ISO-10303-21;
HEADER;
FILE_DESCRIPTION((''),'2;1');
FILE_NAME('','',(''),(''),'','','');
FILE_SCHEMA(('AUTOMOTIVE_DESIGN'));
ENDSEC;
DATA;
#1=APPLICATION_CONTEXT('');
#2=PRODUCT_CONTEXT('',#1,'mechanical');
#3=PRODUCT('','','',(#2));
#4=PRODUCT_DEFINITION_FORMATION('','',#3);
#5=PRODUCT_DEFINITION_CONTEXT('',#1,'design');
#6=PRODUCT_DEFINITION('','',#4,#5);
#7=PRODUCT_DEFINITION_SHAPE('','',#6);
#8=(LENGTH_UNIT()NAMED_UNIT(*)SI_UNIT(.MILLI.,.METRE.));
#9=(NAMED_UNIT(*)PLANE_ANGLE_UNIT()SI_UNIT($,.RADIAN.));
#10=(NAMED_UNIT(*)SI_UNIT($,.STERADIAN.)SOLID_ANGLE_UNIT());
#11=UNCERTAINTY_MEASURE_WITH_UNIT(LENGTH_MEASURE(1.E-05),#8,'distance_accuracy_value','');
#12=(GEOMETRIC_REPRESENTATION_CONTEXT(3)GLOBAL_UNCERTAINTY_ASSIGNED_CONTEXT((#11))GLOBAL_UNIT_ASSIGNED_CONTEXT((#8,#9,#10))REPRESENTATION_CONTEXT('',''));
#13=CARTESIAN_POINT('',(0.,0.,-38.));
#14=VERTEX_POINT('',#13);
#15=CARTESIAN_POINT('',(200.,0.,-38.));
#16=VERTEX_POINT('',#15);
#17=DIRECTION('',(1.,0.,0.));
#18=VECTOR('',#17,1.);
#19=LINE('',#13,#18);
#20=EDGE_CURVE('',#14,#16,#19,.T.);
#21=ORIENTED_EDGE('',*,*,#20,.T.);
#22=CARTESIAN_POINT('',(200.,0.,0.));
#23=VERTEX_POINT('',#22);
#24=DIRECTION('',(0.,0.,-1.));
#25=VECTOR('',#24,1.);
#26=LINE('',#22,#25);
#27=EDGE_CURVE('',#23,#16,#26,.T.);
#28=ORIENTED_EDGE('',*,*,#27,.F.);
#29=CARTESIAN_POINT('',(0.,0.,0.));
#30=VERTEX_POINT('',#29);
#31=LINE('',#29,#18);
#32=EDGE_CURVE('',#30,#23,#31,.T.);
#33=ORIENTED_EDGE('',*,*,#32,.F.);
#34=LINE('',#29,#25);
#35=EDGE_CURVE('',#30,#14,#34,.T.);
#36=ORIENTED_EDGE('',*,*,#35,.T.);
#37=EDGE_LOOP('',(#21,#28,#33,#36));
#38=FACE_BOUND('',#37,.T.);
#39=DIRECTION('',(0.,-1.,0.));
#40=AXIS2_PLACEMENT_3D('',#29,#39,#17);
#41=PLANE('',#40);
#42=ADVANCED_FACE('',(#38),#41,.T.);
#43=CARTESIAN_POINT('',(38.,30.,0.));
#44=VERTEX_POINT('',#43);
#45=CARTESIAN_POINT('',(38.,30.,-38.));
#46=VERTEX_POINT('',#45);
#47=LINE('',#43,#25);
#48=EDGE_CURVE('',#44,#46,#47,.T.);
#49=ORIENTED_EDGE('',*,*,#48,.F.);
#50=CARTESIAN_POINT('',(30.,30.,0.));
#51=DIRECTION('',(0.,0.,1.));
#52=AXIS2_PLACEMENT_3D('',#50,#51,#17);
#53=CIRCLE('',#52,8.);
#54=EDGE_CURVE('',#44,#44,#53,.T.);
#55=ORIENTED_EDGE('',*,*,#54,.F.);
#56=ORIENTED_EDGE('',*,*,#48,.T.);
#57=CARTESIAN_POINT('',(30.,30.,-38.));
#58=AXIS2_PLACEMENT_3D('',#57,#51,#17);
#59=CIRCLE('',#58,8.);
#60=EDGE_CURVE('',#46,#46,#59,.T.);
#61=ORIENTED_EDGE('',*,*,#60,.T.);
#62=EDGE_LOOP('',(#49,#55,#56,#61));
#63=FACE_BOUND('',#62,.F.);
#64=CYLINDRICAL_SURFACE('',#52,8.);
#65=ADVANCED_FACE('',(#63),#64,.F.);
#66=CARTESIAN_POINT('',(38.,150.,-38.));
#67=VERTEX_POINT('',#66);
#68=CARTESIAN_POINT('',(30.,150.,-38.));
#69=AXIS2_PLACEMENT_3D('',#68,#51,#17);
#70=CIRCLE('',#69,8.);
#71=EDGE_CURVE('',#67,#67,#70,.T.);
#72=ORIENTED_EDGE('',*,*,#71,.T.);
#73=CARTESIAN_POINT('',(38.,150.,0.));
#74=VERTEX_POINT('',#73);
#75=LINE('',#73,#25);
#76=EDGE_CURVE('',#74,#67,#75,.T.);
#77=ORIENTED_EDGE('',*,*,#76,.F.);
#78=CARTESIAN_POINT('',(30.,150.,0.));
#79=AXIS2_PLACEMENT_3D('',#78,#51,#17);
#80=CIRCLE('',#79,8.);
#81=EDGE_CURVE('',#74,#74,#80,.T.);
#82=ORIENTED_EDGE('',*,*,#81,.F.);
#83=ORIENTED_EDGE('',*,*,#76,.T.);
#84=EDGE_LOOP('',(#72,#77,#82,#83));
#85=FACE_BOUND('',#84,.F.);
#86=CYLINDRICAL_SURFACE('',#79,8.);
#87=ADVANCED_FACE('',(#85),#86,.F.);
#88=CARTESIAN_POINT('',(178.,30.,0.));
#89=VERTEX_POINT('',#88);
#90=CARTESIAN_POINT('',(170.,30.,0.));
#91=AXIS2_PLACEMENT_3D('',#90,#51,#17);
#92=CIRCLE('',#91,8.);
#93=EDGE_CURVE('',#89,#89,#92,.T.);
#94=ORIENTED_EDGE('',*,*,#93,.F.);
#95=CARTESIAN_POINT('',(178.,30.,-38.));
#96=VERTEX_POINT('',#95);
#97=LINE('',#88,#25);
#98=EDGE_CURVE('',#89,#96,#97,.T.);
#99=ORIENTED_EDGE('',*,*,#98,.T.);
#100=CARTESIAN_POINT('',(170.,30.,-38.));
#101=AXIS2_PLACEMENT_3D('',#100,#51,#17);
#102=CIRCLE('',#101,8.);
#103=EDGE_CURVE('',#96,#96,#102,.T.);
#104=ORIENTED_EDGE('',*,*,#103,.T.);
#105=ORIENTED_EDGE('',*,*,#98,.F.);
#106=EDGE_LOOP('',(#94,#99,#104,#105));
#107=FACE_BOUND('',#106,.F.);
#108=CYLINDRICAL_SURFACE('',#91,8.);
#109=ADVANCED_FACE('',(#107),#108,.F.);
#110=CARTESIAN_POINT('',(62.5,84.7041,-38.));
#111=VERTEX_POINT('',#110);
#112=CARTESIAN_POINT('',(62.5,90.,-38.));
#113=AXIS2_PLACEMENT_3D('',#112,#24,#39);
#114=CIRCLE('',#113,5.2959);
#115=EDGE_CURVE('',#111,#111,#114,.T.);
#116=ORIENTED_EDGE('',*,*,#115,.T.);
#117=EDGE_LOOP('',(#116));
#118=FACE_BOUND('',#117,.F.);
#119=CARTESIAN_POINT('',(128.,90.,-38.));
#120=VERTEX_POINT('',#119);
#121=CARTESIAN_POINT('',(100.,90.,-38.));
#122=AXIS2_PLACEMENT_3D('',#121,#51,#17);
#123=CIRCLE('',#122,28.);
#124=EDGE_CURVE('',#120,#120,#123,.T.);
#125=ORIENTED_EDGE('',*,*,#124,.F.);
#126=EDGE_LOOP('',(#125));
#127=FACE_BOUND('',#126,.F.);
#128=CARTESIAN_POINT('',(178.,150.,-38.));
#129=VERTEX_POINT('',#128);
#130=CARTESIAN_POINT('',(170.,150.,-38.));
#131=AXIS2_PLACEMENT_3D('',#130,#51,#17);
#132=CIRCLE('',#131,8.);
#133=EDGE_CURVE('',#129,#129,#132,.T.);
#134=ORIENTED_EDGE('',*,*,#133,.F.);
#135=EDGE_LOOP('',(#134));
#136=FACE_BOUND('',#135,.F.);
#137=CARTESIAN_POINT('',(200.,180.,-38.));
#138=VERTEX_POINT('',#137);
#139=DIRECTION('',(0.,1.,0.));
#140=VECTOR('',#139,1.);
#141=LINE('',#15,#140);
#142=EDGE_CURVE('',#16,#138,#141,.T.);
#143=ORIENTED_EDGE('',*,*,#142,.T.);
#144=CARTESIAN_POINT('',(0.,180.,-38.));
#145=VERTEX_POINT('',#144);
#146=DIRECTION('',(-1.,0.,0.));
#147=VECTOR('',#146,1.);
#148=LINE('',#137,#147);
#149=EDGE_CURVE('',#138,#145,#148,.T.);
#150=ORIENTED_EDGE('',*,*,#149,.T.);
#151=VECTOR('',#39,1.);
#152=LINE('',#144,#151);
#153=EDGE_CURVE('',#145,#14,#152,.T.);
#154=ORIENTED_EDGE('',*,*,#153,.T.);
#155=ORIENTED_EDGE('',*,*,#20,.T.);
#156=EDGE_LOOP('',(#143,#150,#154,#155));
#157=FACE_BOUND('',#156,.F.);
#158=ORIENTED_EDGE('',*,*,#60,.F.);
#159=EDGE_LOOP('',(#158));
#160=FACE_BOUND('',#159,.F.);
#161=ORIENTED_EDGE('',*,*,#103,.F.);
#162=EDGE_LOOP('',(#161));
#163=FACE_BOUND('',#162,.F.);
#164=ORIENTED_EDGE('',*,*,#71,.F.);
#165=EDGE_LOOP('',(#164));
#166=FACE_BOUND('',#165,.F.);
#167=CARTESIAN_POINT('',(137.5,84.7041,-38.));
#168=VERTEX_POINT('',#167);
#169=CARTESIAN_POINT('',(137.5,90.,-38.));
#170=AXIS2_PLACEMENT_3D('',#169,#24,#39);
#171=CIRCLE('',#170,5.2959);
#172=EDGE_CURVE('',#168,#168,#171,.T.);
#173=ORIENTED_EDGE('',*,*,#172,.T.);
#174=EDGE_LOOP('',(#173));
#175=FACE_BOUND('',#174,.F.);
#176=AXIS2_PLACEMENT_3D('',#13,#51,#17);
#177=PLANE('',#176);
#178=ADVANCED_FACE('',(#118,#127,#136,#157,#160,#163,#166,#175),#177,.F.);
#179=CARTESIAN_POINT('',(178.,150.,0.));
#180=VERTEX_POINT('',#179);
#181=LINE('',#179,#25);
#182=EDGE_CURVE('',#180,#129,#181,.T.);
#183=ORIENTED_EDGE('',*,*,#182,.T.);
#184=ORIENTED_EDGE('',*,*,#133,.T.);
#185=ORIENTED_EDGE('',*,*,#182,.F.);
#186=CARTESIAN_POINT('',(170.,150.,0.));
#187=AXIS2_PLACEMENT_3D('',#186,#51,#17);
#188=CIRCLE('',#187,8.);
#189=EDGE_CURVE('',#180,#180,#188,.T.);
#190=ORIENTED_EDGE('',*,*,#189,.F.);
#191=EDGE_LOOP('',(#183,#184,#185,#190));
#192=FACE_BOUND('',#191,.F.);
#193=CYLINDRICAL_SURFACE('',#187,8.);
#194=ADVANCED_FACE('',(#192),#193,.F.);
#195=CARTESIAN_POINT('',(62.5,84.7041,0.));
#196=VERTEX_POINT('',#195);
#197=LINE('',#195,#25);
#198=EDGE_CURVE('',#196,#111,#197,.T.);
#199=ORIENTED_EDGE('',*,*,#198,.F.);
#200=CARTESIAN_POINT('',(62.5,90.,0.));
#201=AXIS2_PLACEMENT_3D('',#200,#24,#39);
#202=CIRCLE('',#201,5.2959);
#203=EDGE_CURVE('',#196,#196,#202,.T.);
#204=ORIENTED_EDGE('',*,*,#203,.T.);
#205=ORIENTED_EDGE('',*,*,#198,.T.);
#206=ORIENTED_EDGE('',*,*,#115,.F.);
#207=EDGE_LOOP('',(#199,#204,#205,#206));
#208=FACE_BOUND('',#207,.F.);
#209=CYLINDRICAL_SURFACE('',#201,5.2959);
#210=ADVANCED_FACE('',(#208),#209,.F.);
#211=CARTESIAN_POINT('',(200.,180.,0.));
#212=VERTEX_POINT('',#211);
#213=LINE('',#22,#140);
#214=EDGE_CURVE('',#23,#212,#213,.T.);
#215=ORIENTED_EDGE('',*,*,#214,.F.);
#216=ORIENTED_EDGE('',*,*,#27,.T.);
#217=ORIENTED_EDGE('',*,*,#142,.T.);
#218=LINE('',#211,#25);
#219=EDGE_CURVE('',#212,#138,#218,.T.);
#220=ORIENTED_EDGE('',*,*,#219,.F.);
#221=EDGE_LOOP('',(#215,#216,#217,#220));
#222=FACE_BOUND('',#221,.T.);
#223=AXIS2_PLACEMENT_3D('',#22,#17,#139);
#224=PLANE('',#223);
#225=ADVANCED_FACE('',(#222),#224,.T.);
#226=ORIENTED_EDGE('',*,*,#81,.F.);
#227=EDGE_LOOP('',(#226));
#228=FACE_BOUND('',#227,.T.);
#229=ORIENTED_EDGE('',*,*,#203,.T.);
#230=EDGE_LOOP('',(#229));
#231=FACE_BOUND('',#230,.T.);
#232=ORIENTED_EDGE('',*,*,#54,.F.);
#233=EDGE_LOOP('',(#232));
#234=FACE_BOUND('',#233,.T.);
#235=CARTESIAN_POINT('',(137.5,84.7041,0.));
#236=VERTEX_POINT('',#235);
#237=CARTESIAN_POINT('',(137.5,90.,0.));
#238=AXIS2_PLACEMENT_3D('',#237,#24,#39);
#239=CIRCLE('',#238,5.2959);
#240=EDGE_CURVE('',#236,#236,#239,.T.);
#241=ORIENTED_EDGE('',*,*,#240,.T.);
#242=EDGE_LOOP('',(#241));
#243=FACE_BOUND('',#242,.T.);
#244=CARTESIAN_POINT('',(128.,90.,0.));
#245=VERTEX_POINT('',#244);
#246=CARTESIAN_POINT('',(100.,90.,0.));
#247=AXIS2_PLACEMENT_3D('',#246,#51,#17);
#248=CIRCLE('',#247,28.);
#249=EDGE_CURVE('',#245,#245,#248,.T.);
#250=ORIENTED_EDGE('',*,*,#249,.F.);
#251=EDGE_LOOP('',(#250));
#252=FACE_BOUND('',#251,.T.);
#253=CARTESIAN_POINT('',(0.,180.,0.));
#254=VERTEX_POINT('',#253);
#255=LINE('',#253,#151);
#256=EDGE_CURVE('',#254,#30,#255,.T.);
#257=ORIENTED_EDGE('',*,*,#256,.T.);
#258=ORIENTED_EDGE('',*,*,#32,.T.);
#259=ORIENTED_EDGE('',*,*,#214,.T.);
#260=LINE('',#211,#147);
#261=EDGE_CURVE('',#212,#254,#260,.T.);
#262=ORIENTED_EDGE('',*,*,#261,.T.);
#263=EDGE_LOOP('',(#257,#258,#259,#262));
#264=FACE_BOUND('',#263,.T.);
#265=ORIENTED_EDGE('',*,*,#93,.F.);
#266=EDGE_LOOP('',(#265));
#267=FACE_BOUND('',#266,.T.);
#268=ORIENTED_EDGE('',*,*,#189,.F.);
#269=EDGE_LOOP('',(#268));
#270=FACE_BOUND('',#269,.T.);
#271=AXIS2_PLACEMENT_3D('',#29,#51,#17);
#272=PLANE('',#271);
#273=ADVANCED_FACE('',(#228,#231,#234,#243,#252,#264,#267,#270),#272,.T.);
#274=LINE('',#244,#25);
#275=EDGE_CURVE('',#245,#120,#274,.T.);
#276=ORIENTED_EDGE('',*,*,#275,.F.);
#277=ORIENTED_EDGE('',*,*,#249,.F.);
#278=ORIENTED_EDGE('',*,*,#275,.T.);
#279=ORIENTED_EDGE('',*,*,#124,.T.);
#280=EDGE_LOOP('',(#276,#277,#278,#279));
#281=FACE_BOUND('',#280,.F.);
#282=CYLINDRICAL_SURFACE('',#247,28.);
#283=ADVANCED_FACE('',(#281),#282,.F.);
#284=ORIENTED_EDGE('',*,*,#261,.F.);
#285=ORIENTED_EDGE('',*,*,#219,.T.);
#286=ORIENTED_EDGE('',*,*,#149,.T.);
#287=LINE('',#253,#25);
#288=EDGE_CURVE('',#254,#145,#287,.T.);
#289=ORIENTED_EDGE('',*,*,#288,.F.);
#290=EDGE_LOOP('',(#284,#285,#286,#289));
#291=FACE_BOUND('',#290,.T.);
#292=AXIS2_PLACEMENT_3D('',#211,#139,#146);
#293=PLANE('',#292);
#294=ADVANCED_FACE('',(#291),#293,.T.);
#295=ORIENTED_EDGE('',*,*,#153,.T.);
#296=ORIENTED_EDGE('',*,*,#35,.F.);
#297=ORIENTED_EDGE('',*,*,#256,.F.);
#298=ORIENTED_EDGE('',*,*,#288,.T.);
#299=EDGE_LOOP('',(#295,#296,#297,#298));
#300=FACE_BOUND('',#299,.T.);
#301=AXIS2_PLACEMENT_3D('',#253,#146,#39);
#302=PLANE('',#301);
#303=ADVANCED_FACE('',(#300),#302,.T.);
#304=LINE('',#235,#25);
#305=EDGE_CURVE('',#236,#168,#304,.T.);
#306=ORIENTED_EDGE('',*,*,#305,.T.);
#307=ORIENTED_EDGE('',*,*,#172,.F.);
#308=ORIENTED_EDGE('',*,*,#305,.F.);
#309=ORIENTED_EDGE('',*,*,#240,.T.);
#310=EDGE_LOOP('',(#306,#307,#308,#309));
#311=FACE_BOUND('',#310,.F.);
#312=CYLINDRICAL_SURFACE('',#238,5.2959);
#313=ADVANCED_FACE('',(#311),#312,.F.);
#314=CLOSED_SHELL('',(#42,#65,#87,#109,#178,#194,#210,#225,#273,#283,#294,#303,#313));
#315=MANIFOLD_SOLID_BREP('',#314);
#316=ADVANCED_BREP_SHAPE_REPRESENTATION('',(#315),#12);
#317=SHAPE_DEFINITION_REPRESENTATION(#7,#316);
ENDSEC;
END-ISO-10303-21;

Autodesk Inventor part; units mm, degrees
ref_plane "YZ Plane" through (0, 0, 0) normal (1, 0, 0) x (0, 1, 0)
ref_plane "XZ Plane" through (0, 0, 0) normal (0, 1, 0) x (-1, 0, 0)
ref_plane "XY Plane" through (0, 0, 0) normal (0, 0, 1) x (1, 0, 0)
sketch "Sketch1" plane through (0, 0, 0) normal (0, 0, 1) x (1, 0, 0)
  line L0 (0, 0) -> (200, 0)
  line L1 (0, 180) -> (0, 0)
  line L2 (200, 180) -> (0, 180)
  circle A0 centre (100, 90) radius 28
  circle A1 centre (30, 150) radius 8
  circle A2 centre (170, 150) radius 8
  circle A3 centre (170, 30) radius 8
  circle A4 centre (30, 30) radius 8
  line L3 (200, 0) -> (200, 180)
  dimension "d1" = 56
  dimension "d2" = 70
  dimension "d5" = 60
  dimension "d6" = 70
  dimension "d7" = 60
  dimension "d8" = 70
  dimension "d9" = 70
  dimension "d10" = 60
  dimension "d11" = 60
  dimension "d35" = 180
  dimension "d37" = 200
  dimension "d39" = 16
  dimension "d41" = 30
  dimension "d42" = 30
extrude "Extrusion1" add sketch "Sketch1" against normal blind 38
sketch "Sketch2" plane through (0, 0, 0) normal (0, 0, 1) x (1, 0, 0)
  circle A0 centre (100, 90) radius 28 projected
  line L0 (200, 180) -> (0, 180) projected
  line L1 (0, 180) -> (0, 0) projected
  circle A1 centre (30, 30) radius 8 projected
  circle A2 centre (30, 150) radius 8 projected
  circle A3 centre (170, 30) radius 8 projected
  point P0 (137.5, 90)
  point P1 (62.5, 90)
  dimension "d45" = 37.5
  dimension "d46" = 37.5
  dimension "d47" = 60
  dimension "d48" = 60
hole "Hole1" at (62.5, 90, 0) at (137.5, 90, 0) direction (0, 0, -1) diameter 10.5918 depth 38 thread size "1/2-13 UNC" class "2B" standard "ANSI Unified Screw Threads"
equation "\"d6\" = d2"
equation "\"d7\" = d5"
equation "\"d8\" = d2"
equation "\"d9\" = d2"
equation "\"d10\" = d5"
equation "\"d11\" = d5"
equation "\"d46\" = d45"
equation "\"d48\" = d47"
properties part number "Placa cilindro hidraulico"
